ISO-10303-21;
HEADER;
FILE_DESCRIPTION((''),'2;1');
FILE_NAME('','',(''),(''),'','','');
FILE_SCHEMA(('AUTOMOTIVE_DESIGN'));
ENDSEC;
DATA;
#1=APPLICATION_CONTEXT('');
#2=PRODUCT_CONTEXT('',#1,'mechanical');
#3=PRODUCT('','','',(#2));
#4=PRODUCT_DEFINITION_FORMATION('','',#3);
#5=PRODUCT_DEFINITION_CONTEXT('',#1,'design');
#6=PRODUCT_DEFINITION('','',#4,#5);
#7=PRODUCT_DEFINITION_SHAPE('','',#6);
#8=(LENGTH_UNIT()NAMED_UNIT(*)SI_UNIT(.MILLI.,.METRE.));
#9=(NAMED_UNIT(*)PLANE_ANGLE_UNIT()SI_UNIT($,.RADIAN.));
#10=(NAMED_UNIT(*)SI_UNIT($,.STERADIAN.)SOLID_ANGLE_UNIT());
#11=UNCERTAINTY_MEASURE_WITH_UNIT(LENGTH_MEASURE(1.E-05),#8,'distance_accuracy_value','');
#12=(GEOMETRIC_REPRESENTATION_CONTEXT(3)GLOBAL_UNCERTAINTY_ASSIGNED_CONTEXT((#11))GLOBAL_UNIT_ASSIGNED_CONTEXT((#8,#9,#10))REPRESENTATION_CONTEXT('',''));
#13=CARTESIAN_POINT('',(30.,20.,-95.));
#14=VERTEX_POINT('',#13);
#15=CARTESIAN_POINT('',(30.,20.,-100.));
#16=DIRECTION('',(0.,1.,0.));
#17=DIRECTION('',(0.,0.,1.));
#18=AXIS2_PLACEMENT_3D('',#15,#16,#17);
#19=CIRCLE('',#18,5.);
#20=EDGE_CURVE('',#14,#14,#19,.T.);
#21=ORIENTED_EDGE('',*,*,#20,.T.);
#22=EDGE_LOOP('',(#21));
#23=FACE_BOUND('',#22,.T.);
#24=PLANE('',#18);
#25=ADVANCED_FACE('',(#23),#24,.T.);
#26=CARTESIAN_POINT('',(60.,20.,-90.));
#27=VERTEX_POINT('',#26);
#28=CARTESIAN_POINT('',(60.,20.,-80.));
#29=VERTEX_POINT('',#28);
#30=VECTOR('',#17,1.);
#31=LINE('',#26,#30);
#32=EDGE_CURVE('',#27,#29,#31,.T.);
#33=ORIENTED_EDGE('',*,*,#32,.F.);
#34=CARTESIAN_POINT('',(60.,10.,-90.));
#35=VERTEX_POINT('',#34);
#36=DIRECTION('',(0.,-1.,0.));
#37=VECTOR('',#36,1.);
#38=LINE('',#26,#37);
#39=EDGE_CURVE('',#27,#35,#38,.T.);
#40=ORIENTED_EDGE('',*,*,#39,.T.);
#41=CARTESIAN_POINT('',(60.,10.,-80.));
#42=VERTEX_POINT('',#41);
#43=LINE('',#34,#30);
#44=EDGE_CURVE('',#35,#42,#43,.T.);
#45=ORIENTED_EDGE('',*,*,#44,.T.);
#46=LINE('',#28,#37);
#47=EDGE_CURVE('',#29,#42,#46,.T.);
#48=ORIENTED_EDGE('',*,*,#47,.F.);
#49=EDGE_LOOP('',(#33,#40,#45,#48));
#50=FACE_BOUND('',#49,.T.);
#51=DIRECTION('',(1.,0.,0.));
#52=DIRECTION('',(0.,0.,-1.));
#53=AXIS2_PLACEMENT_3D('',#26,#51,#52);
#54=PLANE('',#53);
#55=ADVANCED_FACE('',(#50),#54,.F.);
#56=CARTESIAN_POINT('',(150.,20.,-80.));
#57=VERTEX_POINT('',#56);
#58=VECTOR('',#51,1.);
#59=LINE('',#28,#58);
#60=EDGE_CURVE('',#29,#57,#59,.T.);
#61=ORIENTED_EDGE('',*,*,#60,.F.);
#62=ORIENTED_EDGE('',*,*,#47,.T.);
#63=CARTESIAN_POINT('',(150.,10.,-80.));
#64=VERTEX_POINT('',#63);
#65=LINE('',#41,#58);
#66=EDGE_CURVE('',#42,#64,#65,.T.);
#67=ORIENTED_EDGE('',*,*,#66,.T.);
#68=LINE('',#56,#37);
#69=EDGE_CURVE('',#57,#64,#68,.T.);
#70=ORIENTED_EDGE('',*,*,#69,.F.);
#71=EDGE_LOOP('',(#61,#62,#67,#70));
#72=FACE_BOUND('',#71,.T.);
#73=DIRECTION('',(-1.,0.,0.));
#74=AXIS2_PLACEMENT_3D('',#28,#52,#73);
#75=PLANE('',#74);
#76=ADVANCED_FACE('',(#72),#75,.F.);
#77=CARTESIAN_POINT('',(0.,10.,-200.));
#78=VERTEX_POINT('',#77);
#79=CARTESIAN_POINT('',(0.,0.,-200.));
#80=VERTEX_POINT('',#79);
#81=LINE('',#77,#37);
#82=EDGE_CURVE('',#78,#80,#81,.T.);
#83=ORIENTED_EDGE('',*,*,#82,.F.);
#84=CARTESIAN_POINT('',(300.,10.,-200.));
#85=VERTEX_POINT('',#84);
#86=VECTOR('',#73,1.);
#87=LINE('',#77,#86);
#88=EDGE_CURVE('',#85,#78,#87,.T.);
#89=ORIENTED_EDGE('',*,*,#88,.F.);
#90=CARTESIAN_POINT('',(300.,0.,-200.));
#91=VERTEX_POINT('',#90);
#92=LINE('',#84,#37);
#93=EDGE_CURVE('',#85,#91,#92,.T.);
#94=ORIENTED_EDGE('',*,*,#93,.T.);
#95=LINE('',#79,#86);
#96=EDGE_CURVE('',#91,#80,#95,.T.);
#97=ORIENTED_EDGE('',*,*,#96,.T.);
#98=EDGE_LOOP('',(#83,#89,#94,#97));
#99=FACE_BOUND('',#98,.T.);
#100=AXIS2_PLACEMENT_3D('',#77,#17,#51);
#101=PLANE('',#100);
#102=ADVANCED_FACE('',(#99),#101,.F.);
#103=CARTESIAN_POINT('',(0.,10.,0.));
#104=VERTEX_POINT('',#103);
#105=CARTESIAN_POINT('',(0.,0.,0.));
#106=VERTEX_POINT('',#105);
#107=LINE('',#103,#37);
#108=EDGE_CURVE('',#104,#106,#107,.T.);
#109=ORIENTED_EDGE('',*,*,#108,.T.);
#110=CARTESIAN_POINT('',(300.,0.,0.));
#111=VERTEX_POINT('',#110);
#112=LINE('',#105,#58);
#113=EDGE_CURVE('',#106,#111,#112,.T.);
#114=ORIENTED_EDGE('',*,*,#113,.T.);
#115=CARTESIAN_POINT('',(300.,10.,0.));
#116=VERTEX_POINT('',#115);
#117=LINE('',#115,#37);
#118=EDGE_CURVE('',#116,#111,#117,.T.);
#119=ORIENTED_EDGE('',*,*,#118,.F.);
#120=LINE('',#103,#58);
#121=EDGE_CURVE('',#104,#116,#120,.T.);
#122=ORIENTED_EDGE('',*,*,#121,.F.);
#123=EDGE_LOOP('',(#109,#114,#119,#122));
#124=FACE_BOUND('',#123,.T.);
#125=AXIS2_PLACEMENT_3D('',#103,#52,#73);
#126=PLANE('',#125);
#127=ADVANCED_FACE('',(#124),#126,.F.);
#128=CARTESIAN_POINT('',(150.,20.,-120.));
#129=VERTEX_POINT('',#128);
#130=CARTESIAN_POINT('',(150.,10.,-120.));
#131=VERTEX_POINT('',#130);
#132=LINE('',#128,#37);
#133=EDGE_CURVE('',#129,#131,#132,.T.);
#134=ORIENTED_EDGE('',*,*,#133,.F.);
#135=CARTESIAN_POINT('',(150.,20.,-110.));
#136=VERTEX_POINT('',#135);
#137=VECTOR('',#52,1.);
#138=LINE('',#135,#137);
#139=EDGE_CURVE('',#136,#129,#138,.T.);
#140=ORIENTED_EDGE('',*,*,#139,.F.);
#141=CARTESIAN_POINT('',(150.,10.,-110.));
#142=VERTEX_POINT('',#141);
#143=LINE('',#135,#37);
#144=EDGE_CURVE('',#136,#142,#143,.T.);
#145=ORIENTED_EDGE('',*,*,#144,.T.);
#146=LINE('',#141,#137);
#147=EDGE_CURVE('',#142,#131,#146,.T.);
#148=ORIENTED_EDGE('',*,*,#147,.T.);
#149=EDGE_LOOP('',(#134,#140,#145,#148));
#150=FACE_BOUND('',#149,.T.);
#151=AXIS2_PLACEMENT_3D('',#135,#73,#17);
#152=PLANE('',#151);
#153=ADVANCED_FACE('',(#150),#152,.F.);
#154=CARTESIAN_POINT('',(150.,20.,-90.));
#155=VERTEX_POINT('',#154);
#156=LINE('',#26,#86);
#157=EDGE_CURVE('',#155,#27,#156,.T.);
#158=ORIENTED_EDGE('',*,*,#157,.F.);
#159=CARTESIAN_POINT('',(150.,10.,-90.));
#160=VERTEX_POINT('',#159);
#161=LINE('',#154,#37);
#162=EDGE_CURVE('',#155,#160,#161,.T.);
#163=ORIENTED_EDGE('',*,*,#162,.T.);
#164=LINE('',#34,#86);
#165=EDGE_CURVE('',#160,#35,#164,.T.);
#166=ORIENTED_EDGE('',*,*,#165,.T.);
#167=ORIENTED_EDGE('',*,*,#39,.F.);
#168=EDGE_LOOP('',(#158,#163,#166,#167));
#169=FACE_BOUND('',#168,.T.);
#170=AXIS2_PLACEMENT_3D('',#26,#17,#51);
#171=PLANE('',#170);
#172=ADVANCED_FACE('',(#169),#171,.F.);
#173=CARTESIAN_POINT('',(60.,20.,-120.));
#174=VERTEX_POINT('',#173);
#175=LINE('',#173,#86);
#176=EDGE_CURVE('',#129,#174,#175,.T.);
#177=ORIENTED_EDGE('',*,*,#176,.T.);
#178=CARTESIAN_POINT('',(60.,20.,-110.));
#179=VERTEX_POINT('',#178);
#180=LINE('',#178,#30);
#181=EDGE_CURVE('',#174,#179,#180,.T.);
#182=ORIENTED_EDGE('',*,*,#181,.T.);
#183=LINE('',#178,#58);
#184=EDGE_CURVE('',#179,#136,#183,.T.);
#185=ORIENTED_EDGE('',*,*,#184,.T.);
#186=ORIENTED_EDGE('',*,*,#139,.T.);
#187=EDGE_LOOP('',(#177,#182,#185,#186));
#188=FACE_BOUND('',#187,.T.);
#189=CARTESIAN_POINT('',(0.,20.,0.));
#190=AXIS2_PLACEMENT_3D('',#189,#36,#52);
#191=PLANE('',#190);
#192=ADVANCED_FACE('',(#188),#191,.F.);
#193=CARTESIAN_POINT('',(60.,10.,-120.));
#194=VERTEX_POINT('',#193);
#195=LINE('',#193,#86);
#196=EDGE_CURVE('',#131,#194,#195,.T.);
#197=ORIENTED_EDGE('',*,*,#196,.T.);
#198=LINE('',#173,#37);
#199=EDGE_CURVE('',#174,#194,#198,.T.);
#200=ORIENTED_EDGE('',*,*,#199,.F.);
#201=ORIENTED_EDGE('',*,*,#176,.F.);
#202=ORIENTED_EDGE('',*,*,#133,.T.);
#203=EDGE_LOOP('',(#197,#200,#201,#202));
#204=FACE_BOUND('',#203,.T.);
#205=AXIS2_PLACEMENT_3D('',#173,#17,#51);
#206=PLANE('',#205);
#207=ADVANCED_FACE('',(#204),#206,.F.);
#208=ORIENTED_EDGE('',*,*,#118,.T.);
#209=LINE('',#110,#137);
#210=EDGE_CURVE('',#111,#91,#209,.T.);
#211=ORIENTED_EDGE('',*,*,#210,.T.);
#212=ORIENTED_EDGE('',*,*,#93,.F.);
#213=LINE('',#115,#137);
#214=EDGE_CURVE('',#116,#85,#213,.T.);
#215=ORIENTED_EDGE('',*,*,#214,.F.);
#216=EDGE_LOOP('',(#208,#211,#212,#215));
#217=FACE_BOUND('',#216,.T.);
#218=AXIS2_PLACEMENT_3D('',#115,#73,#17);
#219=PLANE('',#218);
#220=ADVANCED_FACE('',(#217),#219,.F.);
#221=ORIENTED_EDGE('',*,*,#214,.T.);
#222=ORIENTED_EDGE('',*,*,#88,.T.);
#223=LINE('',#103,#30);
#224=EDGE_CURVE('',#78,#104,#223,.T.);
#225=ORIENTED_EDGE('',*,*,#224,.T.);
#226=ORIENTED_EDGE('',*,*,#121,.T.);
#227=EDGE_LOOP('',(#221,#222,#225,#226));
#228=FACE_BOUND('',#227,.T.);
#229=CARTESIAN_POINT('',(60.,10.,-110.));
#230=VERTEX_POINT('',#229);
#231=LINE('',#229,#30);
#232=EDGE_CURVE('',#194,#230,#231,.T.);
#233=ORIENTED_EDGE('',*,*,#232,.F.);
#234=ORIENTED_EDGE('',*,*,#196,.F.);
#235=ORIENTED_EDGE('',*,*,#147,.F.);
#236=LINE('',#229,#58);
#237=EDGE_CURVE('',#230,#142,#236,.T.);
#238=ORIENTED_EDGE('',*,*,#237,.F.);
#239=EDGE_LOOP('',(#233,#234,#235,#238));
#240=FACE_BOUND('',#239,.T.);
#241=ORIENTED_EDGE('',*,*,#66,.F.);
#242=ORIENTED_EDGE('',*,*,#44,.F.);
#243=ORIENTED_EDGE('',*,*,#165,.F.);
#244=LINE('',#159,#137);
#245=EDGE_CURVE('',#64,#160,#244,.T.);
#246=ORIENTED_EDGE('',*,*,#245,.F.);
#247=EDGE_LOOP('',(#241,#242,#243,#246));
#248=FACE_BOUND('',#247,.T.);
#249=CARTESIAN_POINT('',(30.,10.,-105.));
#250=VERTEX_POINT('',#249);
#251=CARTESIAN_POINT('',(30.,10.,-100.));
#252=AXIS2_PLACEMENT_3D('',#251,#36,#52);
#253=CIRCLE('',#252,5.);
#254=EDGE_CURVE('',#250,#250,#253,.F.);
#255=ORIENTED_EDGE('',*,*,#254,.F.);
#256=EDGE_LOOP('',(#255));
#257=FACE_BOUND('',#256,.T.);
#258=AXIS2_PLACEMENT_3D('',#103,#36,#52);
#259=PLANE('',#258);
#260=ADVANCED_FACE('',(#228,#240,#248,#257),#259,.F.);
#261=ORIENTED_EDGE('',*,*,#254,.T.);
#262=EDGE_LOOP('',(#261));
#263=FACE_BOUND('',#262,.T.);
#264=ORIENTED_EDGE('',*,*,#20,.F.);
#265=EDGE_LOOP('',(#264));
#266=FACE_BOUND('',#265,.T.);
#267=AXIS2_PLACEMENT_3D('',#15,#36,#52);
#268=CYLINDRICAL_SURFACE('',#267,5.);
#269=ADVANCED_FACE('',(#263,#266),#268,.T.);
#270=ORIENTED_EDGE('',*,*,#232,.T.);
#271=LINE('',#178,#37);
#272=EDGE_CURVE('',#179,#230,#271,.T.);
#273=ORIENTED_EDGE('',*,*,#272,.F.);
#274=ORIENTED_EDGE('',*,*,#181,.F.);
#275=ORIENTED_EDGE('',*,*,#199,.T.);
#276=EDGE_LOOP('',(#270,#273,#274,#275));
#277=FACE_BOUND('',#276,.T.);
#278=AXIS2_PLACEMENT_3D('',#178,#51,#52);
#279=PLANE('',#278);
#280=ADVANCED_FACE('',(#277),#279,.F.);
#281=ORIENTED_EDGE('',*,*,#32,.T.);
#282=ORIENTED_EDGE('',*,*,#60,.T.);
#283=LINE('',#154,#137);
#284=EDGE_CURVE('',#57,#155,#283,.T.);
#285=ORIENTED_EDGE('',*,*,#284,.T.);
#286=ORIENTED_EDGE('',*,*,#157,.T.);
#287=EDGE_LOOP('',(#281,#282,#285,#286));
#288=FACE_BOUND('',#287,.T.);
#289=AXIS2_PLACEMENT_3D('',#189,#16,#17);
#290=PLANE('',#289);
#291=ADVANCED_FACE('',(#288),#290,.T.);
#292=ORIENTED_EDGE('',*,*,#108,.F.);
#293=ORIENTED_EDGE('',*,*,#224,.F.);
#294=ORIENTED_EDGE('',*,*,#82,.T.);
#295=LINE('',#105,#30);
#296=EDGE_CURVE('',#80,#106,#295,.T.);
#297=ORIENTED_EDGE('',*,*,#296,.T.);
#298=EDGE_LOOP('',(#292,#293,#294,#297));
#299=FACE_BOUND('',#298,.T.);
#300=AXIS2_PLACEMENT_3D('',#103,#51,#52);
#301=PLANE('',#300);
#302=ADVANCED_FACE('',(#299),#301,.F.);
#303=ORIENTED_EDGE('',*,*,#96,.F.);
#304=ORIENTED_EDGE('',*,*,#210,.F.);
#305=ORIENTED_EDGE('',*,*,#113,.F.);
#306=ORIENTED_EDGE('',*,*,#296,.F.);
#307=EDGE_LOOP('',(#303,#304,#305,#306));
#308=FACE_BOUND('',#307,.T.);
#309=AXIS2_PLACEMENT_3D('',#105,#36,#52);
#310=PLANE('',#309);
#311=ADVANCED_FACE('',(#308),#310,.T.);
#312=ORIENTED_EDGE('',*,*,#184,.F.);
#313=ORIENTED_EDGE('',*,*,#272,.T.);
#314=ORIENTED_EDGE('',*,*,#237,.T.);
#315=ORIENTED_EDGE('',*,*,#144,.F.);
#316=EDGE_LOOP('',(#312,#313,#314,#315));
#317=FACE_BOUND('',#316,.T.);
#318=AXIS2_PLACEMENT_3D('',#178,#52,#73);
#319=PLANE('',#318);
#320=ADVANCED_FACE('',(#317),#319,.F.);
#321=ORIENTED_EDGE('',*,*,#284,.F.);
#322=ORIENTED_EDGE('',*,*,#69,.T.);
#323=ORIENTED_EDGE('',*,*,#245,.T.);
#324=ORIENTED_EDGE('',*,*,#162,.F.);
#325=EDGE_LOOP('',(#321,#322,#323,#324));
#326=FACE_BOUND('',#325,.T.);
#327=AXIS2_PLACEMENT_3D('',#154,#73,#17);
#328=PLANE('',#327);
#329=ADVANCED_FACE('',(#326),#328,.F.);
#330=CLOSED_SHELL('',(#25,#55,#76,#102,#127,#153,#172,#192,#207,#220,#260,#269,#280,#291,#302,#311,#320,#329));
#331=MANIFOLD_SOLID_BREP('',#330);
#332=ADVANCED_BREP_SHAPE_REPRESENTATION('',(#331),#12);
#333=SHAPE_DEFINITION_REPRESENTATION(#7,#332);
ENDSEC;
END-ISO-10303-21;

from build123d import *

# Parameters (mm, degrees)
SKETCH1_W           = 300
SKETCH1_H           = 200
BOSS_EXTRUDE1_DEPTH = 10
SKETCH2_R           = 5
SKETCH2_W           = 90
SKETCH2_H           = 10
BOSS_EXTRUDE2_DEPTH = 10


with BuildPart() as part:
    # Sketch1 → Boss-Extrude1 (new body)
    with BuildSketch(Plane(origin=(0, 0, 0), x_dir=(1, 0, 0), z_dir=(0, 1, 0))):
        with Locations((150, 100)):
            Rectangle(SKETCH1_W, SKETCH1_H)
    extrude(amount=BOSS_EXTRUDE1_DEPTH)

    # Sketch2 → Boss-Extrude2 (add)
    with BuildSketch(Plane(origin=(0, 10, 0), x_dir=(1, 0, 0), z_dir=(0, 1, 0))):
        with Locations((30, 100)):
            Circle(SKETCH2_R)
        with Locations((105, 115)):
            Rectangle(SKETCH2_W, SKETCH2_H)
        with Locations((105, 85)):
            Rectangle(SKETCH2_W, SKETCH2_H)
    extrude(amount=BOSS_EXTRUDE2_DEPTH)


solid = part.part
